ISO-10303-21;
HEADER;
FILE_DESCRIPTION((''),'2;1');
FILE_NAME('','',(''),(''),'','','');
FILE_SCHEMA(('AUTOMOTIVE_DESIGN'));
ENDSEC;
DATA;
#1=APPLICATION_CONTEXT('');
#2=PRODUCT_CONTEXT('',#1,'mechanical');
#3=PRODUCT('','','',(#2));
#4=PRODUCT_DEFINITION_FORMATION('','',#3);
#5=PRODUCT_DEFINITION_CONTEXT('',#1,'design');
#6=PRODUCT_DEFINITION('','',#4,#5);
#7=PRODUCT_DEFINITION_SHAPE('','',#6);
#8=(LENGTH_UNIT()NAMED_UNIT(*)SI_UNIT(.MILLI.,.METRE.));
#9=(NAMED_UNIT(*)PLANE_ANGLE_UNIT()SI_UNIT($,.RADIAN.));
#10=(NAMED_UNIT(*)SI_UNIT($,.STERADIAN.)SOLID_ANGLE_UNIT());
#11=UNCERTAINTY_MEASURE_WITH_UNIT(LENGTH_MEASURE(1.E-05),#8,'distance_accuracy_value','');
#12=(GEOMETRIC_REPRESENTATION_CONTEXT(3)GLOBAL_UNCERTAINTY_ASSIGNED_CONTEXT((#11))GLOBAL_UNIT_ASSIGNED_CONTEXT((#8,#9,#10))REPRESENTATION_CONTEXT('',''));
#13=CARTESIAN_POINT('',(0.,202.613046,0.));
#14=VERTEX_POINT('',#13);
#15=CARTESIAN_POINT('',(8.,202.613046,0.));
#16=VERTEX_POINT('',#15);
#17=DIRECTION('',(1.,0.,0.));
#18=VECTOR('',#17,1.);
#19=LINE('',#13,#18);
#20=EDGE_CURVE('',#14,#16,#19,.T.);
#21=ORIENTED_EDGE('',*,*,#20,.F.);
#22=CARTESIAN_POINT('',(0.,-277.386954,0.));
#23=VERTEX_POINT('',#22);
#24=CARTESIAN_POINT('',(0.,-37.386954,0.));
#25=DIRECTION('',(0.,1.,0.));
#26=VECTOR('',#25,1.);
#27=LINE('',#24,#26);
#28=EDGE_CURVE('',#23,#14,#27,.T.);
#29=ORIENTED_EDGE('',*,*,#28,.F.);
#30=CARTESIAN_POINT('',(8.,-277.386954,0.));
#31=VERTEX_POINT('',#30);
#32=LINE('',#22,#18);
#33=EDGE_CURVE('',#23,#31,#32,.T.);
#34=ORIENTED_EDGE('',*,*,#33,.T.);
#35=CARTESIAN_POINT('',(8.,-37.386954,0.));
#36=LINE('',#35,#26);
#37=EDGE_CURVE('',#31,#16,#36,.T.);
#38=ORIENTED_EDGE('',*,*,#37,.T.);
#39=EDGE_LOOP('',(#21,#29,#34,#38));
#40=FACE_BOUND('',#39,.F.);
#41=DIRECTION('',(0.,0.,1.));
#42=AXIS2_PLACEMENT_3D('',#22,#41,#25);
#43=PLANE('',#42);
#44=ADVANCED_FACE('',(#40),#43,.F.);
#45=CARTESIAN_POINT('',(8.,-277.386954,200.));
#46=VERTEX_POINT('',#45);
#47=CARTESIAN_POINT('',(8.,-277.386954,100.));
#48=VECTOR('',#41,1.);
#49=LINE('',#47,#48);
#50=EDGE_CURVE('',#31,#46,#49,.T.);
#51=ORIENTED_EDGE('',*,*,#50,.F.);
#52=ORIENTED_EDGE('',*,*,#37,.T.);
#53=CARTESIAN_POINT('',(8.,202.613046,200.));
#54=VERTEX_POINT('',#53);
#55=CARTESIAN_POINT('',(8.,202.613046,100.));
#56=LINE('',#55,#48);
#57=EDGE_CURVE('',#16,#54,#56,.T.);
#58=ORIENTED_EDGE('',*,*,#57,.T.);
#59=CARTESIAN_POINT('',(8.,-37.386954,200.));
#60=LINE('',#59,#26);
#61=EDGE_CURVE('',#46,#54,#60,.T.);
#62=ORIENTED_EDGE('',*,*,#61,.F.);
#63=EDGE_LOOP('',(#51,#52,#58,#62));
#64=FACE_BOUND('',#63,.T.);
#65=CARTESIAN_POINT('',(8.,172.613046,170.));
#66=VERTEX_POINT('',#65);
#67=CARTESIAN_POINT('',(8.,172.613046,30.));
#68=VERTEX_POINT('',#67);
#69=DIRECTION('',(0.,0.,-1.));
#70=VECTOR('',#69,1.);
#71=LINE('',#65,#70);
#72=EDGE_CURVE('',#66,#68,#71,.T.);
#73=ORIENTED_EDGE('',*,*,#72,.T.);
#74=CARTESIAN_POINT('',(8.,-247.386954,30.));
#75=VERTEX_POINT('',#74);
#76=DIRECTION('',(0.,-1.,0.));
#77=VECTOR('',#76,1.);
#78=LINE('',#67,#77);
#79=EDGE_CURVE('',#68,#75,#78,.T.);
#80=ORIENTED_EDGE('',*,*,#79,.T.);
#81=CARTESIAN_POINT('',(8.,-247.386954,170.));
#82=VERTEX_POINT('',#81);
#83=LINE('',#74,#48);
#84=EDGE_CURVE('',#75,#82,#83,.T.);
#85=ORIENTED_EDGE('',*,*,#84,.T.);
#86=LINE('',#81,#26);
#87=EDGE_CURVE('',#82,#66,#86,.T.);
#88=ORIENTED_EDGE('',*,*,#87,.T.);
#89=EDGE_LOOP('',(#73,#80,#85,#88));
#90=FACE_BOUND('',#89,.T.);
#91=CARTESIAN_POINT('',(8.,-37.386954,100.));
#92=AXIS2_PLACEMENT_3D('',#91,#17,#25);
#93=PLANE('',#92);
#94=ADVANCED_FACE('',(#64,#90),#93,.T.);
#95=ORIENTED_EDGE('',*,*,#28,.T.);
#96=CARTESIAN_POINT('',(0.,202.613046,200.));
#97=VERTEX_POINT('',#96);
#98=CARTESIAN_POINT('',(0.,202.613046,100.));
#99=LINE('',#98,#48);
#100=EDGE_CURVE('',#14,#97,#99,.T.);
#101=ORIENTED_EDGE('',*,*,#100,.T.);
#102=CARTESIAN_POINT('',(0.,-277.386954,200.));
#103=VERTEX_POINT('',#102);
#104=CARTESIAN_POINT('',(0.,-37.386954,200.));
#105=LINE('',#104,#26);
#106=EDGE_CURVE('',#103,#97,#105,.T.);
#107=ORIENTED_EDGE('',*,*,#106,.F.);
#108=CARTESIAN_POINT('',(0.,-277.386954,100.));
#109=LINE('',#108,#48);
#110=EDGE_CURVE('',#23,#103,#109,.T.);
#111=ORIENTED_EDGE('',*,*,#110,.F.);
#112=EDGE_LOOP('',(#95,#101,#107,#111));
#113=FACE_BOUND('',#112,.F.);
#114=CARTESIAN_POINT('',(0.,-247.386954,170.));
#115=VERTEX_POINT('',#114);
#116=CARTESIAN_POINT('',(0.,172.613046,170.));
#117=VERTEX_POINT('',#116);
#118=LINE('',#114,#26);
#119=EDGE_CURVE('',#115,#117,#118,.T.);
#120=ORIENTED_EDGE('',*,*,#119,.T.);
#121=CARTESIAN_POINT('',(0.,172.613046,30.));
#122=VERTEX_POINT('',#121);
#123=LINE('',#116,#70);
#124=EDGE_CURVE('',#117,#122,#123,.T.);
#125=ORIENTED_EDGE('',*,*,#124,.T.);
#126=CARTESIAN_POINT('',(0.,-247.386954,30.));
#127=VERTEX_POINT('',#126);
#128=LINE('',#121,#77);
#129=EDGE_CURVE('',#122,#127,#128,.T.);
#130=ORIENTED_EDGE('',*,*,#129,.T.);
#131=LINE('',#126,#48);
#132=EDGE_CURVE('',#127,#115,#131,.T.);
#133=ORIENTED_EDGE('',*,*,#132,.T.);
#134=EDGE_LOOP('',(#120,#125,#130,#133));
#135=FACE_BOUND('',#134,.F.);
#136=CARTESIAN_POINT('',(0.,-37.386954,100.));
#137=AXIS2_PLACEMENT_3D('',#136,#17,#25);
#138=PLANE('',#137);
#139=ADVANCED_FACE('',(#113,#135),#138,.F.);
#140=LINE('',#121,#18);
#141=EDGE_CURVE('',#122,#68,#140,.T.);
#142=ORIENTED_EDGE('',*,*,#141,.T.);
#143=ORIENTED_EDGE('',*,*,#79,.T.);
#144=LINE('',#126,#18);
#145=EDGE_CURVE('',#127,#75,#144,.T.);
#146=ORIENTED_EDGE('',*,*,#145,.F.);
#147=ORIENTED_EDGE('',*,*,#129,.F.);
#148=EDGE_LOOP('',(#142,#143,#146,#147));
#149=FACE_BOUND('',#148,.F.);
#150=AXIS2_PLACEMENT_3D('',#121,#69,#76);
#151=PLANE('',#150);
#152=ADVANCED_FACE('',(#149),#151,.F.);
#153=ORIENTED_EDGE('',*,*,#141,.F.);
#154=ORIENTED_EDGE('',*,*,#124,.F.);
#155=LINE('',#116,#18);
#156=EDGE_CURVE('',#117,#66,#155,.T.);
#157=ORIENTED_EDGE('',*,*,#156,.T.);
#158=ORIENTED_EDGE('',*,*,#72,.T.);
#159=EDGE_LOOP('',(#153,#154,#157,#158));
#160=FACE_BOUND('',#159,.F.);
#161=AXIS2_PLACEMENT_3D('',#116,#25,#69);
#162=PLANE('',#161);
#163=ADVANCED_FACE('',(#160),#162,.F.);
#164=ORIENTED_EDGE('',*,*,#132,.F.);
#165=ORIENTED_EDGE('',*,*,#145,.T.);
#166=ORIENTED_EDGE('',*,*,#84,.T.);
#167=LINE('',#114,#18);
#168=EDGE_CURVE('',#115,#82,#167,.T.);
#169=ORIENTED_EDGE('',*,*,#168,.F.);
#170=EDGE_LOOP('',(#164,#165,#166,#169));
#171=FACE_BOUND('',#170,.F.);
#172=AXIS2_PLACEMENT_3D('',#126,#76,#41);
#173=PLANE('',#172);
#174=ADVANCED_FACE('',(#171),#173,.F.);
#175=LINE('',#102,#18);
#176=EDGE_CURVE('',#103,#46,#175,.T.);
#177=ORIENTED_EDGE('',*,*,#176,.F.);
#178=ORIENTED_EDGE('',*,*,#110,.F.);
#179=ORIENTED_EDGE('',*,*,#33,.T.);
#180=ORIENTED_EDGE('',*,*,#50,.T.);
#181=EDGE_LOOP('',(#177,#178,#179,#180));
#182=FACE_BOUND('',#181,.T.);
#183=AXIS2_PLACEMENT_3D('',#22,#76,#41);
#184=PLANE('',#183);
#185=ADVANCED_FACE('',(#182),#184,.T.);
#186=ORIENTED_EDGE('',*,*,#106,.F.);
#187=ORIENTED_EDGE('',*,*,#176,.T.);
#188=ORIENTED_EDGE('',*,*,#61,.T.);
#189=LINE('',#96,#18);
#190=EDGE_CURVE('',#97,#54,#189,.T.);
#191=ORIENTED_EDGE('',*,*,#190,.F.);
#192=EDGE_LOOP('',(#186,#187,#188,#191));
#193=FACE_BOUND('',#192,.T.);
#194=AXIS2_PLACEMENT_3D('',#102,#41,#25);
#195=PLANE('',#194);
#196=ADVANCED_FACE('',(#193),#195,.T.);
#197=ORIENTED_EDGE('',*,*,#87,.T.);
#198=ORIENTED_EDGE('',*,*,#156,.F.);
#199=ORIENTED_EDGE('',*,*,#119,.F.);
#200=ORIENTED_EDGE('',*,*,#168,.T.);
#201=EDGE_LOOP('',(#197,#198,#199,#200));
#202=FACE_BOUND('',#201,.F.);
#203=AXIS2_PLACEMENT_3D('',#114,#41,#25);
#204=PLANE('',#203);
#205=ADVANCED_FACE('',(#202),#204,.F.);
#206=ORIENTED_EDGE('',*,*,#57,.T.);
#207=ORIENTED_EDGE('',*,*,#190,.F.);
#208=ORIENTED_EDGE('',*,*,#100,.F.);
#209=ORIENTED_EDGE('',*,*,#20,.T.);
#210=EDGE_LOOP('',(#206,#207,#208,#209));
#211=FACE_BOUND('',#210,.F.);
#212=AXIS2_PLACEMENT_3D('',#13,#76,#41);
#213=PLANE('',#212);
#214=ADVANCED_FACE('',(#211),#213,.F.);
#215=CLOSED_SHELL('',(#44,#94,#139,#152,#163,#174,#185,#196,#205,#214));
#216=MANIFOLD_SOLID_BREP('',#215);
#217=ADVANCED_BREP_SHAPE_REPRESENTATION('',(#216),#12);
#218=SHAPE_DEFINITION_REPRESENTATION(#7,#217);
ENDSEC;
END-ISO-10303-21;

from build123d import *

# Parameters (mm, degrees)
F0_W     = 480
F0_H     = 200
F1_DEPTH = 8


with BuildPart() as f1:
    # F0 (on Right) → F1 (new body)
    with BuildSketch(Plane.YZ):
        with Locations((-37.386954, 100)):
            Rectangle(F0_W, F0_H)
        Polygon((-247.386954, 30), (-247.386954, 170), (-107.386954, 170), (32.613046, 170), (172.613046, 170), (172.613046, 30), (32.613046, 30), (-107.386954, 30), align=None, mode=Mode.SUBTRACT)
    extrude(amount=F1_DEPTH)


solid = f1.part
